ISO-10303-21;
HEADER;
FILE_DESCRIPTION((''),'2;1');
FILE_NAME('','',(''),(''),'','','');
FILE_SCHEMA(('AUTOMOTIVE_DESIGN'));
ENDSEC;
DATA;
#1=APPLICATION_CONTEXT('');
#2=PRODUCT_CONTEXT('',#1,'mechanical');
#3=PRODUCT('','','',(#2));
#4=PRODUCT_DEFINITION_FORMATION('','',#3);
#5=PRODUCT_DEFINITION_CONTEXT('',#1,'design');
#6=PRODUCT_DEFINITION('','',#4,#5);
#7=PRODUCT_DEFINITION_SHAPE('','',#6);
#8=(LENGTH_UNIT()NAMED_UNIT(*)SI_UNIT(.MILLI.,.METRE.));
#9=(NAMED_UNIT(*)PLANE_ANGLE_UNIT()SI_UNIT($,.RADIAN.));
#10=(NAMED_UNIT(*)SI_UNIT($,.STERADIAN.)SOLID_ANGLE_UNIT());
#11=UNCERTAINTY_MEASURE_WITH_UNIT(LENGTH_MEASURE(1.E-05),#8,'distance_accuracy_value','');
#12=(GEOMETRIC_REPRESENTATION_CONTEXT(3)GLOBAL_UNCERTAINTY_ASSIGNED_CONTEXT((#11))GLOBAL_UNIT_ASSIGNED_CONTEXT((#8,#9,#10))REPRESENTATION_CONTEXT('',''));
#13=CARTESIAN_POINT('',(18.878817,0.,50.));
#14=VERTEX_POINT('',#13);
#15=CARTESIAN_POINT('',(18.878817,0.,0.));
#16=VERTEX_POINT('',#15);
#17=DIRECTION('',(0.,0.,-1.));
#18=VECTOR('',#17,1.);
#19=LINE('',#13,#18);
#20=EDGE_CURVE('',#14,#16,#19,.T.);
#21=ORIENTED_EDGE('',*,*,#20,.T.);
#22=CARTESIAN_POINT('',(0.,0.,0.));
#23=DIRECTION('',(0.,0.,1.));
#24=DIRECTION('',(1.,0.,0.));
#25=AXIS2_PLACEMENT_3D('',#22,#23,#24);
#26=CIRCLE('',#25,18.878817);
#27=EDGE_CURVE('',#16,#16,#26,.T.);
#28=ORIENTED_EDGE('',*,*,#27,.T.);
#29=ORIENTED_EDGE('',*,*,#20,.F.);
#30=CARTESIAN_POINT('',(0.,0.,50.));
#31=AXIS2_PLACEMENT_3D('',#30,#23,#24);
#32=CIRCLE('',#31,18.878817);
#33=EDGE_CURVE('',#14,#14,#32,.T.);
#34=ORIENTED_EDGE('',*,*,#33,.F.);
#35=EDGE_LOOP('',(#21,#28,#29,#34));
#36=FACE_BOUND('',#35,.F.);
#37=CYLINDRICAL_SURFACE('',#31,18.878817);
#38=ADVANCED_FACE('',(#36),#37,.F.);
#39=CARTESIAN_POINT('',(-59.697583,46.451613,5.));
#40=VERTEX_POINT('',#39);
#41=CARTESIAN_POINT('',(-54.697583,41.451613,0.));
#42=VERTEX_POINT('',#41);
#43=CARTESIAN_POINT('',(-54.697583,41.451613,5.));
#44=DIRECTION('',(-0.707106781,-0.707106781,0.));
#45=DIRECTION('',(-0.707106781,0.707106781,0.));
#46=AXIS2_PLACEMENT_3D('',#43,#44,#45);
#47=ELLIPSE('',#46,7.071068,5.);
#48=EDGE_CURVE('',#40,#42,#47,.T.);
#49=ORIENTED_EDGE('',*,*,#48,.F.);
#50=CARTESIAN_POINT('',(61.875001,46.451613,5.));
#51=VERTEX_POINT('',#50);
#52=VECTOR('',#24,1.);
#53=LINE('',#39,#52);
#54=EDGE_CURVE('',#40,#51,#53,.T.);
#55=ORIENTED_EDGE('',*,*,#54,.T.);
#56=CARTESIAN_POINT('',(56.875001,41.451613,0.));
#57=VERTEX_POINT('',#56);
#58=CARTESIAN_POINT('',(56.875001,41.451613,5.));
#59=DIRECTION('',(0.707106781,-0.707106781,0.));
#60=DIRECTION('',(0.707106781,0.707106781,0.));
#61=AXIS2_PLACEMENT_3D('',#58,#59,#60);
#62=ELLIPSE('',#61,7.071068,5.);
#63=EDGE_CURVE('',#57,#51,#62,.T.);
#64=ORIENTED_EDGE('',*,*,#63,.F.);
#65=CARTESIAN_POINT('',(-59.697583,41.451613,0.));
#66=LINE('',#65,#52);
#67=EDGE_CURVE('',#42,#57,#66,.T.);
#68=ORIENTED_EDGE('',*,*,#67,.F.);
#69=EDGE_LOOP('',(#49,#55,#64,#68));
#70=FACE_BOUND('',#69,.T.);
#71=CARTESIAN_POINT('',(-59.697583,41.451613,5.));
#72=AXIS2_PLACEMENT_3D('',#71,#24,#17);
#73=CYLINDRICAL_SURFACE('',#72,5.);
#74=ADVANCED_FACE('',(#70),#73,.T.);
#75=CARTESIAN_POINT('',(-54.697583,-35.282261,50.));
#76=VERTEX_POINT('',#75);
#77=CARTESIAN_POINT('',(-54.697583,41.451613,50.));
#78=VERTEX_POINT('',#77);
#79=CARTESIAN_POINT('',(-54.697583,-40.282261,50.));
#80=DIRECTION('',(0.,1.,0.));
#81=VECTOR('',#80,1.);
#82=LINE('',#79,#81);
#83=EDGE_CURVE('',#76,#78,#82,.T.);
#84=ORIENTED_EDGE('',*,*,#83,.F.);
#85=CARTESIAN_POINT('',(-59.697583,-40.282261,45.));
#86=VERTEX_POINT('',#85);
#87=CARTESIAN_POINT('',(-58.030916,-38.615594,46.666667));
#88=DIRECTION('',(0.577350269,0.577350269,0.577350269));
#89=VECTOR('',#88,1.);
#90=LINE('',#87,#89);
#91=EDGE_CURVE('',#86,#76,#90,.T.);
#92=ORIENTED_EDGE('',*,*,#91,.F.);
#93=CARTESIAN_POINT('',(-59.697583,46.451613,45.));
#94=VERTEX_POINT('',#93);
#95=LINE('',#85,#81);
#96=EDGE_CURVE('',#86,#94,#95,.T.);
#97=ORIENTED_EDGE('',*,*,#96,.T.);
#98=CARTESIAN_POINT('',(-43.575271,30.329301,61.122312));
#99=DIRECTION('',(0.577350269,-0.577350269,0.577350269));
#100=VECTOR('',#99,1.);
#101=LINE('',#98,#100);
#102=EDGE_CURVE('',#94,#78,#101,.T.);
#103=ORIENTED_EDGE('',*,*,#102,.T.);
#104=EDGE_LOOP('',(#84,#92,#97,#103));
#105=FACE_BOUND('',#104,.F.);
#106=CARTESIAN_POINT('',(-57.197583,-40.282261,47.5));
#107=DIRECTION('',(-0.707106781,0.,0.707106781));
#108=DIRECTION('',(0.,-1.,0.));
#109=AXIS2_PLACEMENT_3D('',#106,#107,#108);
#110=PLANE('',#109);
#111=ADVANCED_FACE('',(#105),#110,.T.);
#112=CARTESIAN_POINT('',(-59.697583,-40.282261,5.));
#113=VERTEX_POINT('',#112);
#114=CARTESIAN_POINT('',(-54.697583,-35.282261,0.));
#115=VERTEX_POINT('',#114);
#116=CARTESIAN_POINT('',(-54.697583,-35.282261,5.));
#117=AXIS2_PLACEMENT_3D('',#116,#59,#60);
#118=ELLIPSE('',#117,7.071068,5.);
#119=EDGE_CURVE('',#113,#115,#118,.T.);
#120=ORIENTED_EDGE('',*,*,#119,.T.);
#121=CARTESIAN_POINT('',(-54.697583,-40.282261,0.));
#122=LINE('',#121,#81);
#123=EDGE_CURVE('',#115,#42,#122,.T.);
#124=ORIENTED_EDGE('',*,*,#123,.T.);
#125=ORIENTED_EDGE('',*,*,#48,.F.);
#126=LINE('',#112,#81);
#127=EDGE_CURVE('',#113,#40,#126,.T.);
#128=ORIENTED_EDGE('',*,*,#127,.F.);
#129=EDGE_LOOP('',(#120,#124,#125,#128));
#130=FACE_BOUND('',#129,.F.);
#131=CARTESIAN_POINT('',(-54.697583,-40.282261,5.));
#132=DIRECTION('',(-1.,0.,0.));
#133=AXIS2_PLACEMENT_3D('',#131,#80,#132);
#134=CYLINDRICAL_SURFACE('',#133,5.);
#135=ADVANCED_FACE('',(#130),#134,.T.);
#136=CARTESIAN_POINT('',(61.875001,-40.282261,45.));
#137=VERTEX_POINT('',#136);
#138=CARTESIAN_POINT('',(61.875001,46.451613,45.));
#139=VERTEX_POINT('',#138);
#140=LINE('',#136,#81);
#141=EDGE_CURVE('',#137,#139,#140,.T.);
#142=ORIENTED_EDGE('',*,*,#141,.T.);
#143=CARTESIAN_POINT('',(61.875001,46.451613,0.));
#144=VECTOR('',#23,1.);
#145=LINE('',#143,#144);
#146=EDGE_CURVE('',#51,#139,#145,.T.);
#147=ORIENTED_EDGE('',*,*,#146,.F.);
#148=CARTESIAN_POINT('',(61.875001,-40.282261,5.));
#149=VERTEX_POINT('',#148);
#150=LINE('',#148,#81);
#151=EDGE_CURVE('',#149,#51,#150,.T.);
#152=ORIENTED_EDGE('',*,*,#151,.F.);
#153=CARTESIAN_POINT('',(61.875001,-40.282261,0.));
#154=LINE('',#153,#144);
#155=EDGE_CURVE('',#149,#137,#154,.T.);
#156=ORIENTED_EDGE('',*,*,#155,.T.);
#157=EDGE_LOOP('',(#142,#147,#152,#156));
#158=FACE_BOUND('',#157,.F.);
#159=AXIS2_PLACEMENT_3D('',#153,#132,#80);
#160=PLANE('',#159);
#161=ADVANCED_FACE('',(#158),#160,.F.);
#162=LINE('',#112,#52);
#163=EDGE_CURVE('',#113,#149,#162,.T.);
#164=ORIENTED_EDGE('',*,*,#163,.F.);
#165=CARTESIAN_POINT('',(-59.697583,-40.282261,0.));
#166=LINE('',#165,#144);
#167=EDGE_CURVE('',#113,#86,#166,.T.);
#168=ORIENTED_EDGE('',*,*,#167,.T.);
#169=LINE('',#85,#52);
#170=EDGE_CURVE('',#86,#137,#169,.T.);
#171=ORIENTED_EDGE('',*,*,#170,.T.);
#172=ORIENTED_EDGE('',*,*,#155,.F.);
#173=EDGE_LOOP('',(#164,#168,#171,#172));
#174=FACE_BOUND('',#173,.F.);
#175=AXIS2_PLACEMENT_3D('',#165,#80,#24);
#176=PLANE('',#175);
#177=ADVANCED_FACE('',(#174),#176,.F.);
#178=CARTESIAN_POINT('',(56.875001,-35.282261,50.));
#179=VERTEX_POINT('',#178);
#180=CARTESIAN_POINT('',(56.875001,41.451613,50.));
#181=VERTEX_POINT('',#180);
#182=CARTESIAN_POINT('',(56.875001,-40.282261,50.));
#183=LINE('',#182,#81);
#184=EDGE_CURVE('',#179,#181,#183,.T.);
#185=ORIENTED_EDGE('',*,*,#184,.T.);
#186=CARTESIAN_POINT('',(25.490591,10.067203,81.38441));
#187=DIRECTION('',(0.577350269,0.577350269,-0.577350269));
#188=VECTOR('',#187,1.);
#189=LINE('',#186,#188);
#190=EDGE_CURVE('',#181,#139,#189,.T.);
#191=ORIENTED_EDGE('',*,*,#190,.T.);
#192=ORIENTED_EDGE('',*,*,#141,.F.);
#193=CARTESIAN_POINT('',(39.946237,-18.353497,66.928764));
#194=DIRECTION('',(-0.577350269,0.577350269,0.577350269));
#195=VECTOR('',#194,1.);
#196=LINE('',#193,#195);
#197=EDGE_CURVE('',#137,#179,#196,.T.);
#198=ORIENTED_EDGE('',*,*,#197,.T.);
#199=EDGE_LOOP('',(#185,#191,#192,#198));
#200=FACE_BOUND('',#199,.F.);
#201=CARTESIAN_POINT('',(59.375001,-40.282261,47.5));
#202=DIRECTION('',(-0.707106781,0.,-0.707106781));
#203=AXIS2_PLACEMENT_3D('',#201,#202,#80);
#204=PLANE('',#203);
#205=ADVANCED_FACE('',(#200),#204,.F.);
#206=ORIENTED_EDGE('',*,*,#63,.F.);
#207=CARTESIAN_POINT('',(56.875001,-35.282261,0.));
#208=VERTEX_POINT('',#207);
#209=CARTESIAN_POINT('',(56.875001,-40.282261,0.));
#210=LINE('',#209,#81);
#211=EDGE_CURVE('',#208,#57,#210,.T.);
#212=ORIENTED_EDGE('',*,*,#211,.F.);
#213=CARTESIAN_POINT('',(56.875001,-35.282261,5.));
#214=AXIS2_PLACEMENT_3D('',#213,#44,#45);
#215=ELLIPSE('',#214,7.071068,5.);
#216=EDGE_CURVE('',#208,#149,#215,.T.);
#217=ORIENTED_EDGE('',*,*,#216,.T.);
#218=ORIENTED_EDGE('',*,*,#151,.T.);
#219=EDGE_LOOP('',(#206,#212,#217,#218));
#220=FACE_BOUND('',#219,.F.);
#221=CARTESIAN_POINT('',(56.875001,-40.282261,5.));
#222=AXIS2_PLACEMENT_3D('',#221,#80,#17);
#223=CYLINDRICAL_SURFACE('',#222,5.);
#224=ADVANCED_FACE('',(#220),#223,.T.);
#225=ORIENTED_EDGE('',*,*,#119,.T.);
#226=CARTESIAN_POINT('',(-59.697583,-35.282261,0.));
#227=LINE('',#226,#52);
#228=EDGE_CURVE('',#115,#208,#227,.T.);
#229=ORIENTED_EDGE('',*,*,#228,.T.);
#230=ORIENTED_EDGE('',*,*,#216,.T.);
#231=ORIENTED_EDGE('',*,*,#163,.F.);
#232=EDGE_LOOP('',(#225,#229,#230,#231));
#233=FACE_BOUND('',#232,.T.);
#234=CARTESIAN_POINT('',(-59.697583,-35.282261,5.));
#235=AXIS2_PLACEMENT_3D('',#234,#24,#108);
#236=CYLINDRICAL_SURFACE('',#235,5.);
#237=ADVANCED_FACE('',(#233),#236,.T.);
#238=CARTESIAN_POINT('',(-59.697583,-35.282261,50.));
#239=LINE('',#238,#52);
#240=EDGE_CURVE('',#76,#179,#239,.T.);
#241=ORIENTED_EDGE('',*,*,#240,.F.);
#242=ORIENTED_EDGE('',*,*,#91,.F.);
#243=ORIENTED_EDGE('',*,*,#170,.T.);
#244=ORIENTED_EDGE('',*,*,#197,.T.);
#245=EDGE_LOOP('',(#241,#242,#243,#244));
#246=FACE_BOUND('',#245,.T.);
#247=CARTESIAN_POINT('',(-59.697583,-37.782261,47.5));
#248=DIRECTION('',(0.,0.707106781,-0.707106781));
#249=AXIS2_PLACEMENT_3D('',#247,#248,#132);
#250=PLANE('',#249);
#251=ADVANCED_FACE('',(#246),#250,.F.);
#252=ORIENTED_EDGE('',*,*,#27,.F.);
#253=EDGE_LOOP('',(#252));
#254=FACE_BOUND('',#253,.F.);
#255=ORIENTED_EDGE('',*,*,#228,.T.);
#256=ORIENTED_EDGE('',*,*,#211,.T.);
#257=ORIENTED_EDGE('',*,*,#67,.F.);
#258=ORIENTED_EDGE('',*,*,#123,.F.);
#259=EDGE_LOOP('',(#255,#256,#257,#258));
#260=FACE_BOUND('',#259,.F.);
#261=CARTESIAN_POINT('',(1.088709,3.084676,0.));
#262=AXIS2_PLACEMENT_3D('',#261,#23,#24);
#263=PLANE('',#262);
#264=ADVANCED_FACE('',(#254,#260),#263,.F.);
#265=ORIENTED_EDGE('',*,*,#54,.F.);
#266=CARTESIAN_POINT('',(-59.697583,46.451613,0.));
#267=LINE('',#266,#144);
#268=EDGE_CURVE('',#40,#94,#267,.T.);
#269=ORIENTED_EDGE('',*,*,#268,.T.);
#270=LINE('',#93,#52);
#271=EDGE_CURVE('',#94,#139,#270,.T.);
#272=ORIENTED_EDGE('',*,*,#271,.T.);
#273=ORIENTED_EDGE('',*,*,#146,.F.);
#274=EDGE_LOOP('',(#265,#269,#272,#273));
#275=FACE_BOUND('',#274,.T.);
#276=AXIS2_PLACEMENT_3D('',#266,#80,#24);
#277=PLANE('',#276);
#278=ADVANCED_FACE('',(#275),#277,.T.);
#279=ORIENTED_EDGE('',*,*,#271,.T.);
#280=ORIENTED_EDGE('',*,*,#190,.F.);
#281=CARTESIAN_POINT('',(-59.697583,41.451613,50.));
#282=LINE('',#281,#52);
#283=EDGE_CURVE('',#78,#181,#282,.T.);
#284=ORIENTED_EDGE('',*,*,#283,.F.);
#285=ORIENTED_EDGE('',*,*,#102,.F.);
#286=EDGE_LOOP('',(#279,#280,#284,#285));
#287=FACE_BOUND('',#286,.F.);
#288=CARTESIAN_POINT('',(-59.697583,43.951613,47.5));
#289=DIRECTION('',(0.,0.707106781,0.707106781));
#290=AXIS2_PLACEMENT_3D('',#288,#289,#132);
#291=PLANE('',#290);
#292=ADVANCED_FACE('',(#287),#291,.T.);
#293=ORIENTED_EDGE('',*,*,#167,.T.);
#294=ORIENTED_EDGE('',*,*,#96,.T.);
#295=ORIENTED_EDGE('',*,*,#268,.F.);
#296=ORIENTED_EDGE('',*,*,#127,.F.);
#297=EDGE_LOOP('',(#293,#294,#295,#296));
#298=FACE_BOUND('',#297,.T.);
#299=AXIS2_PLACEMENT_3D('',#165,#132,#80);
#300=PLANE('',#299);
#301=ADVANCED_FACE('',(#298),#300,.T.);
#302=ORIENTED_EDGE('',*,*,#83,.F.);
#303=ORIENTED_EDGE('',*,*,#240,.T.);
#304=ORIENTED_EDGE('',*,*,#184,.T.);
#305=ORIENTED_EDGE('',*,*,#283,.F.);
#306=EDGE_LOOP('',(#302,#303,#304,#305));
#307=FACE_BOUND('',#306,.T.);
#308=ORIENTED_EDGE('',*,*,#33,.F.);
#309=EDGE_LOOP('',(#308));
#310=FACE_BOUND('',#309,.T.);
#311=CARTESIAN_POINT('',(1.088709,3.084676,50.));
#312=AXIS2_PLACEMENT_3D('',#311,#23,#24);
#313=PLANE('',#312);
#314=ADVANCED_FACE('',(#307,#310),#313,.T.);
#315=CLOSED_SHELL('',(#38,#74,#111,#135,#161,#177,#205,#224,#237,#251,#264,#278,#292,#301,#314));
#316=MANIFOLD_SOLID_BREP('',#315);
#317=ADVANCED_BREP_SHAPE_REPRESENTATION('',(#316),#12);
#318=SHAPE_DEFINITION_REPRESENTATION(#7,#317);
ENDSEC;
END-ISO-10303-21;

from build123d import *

# Parameters (mm, degrees)
F0_W     = 121.572584
F0_H     = 86.733874
F1_DEPTH = 50
F2_R     = 18.878817
F3_DEPTH = 50
F4_SIZE  = 5
F5_R     = 5


with BuildPart() as f1:
    # F0 (on Top) → F1 (new body)
    with BuildSketch(Plane.XY):
        with Locations((1.088709, 3.084676)):
            Rectangle(F0_W, F0_H)
    extrude(amount=F1_DEPTH)

    # F2 (on face) → F3 (cut)
    with BuildSketch(Plane.XY.offset(50)):
        Circle(F2_R)
    extrude(amount=-F3_DEPTH, mode=Mode.SUBTRACT)

    # F4
    f4_edges = [f1.edges().sort_by_distance(p)[0] for p in [
        (1.088709, -40.282261, 50),
        (61.875001, 3.084676, 50),
        (1.088709, 46.451613, 50),
        (-59.697583, 3.084676, 50),
    ]]
    chamfer(f4_edges, length=F4_SIZE)

    # F5
    f5_edges = [f1.edges().sort_by_distance(p)[0] for p in [
        (61.875001, 3.084676, 0),
        (1.088709, -40.282261, 0),
        (-59.697583, 3.084676, 0),
        (1.088709, 46.451613, 0),
    ]]
    fillet(f5_edges, radius=F5_R)


solid = f1.part
